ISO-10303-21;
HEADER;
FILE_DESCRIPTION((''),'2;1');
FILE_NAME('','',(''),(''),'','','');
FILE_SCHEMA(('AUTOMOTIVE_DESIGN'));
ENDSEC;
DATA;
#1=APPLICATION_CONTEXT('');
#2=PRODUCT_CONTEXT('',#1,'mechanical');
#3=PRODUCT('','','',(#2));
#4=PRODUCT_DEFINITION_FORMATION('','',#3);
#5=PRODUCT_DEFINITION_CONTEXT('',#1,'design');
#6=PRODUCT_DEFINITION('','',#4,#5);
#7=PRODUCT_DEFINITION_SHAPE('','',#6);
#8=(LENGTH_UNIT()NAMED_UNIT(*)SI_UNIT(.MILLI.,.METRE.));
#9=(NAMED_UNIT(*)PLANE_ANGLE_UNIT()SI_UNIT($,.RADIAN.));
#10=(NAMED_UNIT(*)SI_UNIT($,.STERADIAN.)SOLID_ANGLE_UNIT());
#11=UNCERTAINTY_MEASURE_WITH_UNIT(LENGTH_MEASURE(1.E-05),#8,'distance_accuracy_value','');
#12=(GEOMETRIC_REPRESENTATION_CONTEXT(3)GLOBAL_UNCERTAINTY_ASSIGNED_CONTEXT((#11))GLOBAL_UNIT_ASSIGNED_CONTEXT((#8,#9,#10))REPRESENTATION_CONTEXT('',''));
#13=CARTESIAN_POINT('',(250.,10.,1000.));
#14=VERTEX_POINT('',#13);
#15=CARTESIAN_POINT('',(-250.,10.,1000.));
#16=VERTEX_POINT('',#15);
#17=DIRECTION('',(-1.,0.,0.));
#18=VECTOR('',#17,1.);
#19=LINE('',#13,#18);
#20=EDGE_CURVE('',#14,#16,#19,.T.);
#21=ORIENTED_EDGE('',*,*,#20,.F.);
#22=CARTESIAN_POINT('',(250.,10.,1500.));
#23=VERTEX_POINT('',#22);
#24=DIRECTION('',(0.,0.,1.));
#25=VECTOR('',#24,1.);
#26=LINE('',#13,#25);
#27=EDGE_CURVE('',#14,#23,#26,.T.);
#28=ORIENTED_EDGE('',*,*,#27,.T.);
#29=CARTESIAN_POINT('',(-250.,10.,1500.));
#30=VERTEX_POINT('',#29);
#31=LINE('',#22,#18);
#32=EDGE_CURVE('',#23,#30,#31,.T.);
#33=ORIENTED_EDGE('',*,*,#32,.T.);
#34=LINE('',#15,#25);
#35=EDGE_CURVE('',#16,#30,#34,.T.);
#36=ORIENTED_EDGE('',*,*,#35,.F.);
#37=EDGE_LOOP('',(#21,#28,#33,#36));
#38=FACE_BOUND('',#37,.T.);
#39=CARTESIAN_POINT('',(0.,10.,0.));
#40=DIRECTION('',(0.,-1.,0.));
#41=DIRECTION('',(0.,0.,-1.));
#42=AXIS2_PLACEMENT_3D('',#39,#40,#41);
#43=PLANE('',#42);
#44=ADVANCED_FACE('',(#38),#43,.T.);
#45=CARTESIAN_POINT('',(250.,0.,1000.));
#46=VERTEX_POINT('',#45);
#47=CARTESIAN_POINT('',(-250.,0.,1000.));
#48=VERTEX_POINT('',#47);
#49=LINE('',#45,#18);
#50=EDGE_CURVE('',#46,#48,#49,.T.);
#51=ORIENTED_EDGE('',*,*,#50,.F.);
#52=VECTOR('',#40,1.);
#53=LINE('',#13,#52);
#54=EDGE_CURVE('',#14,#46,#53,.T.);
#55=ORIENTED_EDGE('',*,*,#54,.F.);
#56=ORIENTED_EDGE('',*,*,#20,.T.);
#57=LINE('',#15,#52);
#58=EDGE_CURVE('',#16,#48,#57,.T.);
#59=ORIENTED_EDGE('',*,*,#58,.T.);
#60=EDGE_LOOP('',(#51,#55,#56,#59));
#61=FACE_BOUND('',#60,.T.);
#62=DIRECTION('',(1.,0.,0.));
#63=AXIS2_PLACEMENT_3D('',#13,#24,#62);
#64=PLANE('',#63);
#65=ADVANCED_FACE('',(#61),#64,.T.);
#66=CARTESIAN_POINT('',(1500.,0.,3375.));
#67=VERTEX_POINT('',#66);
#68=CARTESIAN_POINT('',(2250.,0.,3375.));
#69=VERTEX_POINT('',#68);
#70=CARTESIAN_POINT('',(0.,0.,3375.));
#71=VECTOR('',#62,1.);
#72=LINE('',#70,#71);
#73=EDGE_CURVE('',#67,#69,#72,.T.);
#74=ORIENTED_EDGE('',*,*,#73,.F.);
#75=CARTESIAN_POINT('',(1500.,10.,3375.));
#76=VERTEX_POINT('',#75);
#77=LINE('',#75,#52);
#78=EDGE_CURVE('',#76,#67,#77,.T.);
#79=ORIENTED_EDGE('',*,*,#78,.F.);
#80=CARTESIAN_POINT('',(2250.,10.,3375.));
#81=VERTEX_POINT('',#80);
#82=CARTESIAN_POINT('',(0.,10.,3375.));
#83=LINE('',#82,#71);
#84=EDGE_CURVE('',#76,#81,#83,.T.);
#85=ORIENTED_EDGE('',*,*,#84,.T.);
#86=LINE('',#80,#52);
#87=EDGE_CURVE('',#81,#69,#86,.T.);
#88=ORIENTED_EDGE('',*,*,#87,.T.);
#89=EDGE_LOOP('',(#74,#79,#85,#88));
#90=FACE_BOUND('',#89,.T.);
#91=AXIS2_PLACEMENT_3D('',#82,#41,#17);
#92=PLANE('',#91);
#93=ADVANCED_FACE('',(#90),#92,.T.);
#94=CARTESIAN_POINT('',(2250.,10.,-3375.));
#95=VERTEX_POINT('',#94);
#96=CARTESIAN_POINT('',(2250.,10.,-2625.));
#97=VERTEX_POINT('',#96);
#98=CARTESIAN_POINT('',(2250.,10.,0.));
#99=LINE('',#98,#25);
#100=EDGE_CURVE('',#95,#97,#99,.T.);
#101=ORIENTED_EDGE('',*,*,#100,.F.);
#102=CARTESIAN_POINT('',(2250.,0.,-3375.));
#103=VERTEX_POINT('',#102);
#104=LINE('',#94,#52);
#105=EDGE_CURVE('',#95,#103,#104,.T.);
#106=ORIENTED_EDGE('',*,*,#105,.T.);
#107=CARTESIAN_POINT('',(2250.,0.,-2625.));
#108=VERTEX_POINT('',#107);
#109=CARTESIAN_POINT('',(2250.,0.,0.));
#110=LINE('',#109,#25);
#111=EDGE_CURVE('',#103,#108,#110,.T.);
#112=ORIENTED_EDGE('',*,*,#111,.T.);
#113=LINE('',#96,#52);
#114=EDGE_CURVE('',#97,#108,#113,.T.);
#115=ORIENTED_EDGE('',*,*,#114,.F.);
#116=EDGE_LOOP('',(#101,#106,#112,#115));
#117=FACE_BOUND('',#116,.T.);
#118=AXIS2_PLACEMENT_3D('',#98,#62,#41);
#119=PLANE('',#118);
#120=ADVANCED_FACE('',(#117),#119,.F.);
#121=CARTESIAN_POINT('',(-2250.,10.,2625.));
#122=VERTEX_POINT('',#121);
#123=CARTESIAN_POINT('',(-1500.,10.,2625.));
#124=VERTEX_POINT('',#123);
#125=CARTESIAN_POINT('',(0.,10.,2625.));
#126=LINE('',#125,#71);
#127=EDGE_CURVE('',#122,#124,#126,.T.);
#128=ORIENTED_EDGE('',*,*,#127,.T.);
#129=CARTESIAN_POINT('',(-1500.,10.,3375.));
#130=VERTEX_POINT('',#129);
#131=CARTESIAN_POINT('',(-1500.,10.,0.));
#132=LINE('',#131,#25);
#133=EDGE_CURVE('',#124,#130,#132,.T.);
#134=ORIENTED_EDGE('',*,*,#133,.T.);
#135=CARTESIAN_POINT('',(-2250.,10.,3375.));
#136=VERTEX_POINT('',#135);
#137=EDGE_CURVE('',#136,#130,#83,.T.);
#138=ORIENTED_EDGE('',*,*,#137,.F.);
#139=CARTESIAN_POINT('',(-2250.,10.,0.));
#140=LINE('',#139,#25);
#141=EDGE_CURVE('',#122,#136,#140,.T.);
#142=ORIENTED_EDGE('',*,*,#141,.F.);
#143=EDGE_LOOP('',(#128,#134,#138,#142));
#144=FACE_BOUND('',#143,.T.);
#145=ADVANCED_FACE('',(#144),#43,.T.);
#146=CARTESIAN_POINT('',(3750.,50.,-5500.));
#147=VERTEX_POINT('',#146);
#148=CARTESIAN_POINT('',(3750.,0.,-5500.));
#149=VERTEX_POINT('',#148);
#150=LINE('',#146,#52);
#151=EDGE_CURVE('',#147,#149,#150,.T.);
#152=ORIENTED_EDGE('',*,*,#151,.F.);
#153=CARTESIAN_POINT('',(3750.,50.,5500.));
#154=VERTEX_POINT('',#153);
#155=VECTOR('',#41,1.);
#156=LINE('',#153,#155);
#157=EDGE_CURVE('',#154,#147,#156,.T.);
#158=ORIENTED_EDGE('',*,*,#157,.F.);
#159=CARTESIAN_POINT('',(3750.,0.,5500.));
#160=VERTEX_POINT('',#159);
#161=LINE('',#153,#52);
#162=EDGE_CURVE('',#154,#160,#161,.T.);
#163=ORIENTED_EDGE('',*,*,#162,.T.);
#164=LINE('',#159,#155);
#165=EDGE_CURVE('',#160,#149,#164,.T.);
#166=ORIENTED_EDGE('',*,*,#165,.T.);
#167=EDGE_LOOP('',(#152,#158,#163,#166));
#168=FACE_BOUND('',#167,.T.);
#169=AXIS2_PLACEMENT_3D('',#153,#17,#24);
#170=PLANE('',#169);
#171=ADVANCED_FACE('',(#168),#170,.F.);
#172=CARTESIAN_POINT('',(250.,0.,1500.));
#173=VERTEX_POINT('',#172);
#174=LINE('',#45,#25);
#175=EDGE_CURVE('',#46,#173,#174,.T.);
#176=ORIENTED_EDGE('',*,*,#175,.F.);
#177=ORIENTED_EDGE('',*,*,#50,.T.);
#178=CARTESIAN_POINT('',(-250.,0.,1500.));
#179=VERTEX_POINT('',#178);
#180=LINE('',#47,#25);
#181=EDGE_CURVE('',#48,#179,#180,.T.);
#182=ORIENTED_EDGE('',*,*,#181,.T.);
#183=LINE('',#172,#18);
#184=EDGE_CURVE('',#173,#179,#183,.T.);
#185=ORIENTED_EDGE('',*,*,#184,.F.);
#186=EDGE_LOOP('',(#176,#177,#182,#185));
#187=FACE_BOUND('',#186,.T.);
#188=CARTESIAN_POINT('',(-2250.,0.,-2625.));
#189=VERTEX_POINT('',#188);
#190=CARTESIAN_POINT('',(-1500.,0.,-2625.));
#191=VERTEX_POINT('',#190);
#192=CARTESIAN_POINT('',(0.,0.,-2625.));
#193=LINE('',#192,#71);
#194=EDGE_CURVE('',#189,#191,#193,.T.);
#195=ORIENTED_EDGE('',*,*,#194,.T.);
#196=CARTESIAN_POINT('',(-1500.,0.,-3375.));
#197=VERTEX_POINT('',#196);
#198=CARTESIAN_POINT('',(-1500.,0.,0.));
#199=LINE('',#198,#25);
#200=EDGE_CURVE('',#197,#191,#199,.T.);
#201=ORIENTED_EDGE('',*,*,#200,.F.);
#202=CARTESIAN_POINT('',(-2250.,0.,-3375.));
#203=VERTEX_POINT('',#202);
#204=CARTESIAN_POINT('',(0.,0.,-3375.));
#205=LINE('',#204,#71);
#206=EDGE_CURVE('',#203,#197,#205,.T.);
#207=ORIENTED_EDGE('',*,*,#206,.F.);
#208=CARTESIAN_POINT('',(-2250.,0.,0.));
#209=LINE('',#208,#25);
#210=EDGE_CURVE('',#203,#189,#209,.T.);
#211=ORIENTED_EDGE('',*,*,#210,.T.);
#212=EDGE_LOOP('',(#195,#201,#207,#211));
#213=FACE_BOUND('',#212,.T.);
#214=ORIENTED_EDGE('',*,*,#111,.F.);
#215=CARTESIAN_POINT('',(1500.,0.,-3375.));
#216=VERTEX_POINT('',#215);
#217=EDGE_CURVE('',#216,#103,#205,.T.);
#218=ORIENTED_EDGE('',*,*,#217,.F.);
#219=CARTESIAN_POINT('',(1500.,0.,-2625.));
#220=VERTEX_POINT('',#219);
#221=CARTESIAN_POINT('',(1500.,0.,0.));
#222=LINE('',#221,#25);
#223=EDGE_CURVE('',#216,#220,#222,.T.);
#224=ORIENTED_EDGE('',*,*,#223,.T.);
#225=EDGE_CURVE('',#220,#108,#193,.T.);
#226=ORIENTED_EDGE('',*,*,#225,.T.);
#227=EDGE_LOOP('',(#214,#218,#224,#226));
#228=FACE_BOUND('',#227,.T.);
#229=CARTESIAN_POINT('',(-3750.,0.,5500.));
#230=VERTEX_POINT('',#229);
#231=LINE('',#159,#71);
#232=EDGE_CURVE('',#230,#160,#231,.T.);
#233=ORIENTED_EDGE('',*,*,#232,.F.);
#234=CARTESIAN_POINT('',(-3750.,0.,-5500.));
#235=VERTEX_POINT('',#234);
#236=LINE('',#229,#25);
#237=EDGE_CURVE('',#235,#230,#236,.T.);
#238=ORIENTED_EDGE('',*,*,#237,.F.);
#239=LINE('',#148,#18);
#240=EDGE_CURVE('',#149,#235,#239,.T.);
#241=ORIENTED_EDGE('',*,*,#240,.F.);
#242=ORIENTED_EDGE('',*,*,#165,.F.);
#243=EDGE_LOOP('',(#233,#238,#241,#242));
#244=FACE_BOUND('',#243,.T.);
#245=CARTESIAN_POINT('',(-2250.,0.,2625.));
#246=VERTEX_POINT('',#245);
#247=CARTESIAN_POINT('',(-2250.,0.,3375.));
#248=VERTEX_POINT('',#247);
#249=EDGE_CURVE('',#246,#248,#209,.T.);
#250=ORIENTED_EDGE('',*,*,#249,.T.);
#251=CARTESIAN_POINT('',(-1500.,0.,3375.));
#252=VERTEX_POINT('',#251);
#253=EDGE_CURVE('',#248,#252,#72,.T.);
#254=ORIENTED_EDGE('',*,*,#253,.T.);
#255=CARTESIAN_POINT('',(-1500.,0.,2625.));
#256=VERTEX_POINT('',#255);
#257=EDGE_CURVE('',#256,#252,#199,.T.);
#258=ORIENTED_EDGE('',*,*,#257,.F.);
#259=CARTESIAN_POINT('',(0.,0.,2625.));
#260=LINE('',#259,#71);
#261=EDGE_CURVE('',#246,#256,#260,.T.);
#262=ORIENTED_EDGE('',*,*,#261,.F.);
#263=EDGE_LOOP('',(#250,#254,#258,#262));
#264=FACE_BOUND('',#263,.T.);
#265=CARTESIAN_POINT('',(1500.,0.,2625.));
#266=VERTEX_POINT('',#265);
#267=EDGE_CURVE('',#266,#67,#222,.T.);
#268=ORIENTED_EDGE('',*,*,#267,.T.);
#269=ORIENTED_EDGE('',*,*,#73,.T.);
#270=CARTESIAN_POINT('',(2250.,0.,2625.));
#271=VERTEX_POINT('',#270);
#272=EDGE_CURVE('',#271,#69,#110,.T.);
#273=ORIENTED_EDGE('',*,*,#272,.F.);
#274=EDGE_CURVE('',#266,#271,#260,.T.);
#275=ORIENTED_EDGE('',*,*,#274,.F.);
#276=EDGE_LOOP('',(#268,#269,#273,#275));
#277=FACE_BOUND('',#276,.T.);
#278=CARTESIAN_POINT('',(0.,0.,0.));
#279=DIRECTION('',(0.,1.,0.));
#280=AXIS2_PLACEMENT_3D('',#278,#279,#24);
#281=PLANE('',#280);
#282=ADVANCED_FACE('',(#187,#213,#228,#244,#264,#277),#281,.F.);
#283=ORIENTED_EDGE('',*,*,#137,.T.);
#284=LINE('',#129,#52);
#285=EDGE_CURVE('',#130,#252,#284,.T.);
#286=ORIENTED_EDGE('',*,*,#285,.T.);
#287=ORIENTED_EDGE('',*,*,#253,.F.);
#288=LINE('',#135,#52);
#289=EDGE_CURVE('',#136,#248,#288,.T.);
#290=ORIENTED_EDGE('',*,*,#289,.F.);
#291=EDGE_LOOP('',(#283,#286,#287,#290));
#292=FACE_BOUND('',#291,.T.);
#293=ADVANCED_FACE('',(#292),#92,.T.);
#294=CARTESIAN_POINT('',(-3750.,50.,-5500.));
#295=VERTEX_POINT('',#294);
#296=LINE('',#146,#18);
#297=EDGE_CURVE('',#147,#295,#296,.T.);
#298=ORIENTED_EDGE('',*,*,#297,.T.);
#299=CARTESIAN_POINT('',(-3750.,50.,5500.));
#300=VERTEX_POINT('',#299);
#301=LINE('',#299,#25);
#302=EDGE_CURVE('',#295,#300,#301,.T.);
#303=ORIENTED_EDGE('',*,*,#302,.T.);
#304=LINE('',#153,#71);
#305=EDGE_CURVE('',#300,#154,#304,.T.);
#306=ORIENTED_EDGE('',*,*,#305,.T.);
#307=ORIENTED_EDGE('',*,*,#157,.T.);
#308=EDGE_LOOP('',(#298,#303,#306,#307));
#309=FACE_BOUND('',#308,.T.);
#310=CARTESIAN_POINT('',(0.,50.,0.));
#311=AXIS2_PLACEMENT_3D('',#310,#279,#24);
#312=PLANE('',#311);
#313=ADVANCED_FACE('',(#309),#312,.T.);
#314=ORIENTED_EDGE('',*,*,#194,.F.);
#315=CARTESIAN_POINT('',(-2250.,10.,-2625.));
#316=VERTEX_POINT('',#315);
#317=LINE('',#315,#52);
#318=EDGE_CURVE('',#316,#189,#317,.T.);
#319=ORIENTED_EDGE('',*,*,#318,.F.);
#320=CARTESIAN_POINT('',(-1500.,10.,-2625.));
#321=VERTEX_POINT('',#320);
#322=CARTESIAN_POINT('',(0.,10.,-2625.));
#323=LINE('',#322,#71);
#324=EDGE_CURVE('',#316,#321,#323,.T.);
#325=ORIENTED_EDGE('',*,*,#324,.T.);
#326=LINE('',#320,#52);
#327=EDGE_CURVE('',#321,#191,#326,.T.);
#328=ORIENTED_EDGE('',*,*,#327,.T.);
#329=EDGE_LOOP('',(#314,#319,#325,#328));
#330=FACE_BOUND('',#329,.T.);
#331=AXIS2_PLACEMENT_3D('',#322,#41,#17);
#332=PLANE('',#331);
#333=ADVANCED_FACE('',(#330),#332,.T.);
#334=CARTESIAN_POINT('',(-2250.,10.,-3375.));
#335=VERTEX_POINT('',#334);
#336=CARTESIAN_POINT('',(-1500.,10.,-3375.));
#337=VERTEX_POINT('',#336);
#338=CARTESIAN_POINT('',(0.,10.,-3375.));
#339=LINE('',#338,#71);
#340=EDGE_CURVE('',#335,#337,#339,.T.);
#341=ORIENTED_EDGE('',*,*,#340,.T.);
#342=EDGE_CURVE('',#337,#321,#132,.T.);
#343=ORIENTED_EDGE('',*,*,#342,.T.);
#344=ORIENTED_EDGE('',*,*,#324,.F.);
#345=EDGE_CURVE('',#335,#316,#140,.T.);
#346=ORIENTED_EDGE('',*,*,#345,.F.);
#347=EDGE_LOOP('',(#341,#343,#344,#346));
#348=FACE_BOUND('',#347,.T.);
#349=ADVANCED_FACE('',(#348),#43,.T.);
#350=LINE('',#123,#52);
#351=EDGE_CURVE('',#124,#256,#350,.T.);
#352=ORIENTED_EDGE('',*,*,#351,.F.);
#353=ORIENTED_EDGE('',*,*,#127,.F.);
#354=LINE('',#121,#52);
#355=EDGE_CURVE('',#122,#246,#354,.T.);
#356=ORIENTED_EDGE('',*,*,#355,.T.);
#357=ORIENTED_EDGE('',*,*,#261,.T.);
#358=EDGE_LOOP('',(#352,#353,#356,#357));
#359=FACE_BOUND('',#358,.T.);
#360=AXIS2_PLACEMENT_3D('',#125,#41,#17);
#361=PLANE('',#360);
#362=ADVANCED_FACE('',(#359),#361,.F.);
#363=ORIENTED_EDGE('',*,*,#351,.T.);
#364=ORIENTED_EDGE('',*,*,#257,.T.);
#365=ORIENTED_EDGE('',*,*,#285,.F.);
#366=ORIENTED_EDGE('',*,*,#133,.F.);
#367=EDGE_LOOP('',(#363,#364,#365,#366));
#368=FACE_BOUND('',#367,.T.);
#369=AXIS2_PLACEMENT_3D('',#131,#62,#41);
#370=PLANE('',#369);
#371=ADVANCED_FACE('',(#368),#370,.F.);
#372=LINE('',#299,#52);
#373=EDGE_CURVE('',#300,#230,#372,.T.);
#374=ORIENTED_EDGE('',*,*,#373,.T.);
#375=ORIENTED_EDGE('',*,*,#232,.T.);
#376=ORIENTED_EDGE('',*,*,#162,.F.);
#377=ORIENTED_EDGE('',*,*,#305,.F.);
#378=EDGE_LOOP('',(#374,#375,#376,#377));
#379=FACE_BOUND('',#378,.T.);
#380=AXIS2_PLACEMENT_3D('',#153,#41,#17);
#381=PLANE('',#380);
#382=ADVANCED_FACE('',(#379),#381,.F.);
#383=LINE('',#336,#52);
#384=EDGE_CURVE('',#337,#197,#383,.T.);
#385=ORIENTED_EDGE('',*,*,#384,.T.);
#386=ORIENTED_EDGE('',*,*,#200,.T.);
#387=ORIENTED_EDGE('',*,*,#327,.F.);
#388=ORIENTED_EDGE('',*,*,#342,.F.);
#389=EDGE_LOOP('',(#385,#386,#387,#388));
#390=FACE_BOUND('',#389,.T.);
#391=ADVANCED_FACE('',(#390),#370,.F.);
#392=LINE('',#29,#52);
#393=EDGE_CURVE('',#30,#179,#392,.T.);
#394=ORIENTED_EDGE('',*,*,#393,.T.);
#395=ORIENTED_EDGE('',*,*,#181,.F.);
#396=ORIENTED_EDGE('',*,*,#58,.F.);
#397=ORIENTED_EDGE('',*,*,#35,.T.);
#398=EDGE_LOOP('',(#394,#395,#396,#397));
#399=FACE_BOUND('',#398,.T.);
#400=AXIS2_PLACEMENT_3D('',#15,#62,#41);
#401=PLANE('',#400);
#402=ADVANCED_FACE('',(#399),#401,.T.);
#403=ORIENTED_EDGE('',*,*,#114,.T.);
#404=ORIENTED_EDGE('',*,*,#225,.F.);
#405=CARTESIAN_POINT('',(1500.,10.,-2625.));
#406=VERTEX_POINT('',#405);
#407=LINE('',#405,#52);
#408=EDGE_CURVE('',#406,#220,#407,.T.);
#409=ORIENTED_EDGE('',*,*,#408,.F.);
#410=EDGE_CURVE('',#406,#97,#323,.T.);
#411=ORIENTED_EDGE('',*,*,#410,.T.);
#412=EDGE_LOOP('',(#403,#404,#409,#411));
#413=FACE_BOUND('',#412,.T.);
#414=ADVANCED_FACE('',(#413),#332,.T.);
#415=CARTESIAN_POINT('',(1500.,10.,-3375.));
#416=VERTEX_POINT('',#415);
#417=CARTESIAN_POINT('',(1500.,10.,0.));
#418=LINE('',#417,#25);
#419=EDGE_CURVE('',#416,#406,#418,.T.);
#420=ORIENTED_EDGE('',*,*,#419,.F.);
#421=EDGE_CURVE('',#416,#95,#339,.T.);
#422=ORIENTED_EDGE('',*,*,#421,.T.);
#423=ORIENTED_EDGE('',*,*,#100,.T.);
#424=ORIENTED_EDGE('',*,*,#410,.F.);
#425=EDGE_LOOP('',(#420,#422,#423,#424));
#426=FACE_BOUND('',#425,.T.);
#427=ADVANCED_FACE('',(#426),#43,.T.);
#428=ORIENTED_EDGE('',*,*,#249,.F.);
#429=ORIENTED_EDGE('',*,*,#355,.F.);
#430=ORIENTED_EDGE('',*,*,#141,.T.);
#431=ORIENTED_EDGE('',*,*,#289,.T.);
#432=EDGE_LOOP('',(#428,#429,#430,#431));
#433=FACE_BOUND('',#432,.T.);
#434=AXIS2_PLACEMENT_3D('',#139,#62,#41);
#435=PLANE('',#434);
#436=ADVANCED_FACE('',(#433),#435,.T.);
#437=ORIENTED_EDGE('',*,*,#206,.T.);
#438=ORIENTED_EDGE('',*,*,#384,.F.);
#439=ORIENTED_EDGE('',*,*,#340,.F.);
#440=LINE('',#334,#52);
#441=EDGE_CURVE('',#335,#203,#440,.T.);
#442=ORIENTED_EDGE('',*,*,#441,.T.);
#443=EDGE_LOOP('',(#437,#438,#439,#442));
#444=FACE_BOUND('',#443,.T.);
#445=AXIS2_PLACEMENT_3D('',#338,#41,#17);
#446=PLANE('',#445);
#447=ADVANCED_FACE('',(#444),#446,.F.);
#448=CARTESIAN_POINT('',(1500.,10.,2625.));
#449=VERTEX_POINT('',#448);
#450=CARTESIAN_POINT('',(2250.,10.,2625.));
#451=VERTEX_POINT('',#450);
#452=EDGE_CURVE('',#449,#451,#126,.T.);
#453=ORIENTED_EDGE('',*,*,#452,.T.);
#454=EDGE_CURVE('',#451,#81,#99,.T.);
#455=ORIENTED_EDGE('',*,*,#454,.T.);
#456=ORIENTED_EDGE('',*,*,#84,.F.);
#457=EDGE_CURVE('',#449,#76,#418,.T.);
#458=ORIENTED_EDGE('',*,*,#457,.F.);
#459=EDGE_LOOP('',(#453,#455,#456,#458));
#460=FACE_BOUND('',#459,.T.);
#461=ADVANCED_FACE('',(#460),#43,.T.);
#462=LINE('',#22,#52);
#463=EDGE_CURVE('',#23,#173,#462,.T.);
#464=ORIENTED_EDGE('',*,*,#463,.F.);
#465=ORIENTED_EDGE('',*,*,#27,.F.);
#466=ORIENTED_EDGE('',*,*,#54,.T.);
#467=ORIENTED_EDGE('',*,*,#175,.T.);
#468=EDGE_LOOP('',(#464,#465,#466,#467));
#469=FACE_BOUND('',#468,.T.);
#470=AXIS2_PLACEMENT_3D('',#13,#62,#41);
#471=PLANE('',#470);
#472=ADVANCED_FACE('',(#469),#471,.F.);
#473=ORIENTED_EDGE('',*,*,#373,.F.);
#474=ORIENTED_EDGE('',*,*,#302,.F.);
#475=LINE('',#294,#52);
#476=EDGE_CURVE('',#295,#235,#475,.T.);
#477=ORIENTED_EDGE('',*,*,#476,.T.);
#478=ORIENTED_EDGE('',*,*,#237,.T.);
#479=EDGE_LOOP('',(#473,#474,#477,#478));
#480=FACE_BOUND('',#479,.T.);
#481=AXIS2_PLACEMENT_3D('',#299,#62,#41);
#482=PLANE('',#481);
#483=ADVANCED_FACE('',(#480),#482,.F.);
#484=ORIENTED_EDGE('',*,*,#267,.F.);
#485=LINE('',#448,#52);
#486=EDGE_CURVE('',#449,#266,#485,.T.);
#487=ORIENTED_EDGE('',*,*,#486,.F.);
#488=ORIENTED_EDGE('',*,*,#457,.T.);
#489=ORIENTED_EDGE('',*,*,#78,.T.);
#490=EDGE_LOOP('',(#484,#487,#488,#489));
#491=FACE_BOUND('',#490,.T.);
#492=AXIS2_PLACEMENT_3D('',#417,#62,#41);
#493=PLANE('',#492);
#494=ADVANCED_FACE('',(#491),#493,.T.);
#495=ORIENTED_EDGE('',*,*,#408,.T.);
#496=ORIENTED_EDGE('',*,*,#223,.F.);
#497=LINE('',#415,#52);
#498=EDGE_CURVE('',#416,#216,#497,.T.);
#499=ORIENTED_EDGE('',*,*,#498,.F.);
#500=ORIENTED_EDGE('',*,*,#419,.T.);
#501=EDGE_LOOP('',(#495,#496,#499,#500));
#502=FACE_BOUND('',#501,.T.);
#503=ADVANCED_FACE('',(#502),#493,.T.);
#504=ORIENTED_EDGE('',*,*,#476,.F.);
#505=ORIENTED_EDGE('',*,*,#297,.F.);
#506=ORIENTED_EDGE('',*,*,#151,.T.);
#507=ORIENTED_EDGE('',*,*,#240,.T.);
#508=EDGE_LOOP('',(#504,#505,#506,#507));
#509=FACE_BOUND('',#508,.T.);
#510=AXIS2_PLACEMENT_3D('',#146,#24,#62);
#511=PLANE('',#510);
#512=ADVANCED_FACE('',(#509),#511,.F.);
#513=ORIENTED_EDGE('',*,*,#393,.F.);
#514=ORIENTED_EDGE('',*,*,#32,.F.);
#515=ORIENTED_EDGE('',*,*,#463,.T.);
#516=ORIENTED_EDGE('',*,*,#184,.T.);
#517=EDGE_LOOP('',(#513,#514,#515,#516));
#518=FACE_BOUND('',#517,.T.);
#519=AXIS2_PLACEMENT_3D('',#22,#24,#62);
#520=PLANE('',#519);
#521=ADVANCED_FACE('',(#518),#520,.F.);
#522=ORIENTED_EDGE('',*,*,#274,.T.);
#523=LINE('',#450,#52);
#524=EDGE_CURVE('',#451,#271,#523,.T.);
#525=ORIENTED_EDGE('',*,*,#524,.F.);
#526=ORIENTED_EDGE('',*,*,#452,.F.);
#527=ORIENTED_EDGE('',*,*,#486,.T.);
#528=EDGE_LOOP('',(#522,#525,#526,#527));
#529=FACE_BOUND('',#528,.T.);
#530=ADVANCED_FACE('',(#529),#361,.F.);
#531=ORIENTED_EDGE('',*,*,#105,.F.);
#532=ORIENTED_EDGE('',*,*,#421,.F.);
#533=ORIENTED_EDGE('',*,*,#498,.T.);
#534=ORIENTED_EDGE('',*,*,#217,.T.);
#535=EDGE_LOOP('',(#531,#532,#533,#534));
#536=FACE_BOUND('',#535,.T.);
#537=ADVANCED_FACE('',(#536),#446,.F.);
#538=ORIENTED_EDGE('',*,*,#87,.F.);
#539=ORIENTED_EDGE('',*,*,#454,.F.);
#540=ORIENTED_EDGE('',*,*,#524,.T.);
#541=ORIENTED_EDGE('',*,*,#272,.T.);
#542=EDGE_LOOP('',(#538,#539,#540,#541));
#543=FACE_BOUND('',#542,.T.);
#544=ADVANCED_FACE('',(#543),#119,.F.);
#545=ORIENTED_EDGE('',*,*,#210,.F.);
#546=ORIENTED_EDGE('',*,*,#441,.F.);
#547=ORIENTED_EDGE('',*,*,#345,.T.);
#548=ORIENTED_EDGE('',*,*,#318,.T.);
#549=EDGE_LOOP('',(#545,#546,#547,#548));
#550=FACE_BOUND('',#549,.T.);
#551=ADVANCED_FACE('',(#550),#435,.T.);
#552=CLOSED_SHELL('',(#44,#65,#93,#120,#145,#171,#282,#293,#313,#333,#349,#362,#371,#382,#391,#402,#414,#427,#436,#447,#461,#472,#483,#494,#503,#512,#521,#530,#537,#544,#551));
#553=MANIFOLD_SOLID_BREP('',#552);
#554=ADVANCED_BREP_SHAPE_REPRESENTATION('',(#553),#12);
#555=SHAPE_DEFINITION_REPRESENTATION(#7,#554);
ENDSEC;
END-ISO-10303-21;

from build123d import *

# Parameters (mm, degrees)
SKETCH1_W           = 7500
SKETCH1_H           = 11000
BOSS_EXTRUDE1_DEPTH = 50
SKETCH2_W           = 750
SKETCH2_H           = 750
SKETCH2_W_2         = 500
SKETCH2_H_2         = 500
CUT_EXTRUDE1_DEPTH  = 10


with BuildPart() as part:
    # Sketch1 → Boss-Extrude1 (new body)
    with BuildSketch(Plane(origin=(0, 0, 0), x_dir=(1, 0, 0), z_dir=(0, 1, 0))):
        Rectangle(SKETCH1_W, SKETCH1_H)
    extrude(amount=BOSS_EXTRUDE1_DEPTH)

    # Sketch2 → Cut-Extrude1 (cut)
    with BuildSketch(Plane.XZ):
        with Locations((1875, 3000)):
            Rectangle(SKETCH2_W, SKETCH2_H)
        with Locations((-1875, 3000)):
            Rectangle(SKETCH2_W, SKETCH2_H)
        with Locations((-1875, -3000)):
            Rectangle(SKETCH2_W, SKETCH2_H)
        with Locations((1875, -3000)):
            Rectangle(SKETCH2_W, SKETCH2_H)
        with Locations((0, 1250)):
            Rectangle(SKETCH2_W_2, SKETCH2_H_2)
    extrude(amount=-CUT_EXTRUDE1_DEPTH, mode=Mode.SUBTRACT)


solid = part.part
